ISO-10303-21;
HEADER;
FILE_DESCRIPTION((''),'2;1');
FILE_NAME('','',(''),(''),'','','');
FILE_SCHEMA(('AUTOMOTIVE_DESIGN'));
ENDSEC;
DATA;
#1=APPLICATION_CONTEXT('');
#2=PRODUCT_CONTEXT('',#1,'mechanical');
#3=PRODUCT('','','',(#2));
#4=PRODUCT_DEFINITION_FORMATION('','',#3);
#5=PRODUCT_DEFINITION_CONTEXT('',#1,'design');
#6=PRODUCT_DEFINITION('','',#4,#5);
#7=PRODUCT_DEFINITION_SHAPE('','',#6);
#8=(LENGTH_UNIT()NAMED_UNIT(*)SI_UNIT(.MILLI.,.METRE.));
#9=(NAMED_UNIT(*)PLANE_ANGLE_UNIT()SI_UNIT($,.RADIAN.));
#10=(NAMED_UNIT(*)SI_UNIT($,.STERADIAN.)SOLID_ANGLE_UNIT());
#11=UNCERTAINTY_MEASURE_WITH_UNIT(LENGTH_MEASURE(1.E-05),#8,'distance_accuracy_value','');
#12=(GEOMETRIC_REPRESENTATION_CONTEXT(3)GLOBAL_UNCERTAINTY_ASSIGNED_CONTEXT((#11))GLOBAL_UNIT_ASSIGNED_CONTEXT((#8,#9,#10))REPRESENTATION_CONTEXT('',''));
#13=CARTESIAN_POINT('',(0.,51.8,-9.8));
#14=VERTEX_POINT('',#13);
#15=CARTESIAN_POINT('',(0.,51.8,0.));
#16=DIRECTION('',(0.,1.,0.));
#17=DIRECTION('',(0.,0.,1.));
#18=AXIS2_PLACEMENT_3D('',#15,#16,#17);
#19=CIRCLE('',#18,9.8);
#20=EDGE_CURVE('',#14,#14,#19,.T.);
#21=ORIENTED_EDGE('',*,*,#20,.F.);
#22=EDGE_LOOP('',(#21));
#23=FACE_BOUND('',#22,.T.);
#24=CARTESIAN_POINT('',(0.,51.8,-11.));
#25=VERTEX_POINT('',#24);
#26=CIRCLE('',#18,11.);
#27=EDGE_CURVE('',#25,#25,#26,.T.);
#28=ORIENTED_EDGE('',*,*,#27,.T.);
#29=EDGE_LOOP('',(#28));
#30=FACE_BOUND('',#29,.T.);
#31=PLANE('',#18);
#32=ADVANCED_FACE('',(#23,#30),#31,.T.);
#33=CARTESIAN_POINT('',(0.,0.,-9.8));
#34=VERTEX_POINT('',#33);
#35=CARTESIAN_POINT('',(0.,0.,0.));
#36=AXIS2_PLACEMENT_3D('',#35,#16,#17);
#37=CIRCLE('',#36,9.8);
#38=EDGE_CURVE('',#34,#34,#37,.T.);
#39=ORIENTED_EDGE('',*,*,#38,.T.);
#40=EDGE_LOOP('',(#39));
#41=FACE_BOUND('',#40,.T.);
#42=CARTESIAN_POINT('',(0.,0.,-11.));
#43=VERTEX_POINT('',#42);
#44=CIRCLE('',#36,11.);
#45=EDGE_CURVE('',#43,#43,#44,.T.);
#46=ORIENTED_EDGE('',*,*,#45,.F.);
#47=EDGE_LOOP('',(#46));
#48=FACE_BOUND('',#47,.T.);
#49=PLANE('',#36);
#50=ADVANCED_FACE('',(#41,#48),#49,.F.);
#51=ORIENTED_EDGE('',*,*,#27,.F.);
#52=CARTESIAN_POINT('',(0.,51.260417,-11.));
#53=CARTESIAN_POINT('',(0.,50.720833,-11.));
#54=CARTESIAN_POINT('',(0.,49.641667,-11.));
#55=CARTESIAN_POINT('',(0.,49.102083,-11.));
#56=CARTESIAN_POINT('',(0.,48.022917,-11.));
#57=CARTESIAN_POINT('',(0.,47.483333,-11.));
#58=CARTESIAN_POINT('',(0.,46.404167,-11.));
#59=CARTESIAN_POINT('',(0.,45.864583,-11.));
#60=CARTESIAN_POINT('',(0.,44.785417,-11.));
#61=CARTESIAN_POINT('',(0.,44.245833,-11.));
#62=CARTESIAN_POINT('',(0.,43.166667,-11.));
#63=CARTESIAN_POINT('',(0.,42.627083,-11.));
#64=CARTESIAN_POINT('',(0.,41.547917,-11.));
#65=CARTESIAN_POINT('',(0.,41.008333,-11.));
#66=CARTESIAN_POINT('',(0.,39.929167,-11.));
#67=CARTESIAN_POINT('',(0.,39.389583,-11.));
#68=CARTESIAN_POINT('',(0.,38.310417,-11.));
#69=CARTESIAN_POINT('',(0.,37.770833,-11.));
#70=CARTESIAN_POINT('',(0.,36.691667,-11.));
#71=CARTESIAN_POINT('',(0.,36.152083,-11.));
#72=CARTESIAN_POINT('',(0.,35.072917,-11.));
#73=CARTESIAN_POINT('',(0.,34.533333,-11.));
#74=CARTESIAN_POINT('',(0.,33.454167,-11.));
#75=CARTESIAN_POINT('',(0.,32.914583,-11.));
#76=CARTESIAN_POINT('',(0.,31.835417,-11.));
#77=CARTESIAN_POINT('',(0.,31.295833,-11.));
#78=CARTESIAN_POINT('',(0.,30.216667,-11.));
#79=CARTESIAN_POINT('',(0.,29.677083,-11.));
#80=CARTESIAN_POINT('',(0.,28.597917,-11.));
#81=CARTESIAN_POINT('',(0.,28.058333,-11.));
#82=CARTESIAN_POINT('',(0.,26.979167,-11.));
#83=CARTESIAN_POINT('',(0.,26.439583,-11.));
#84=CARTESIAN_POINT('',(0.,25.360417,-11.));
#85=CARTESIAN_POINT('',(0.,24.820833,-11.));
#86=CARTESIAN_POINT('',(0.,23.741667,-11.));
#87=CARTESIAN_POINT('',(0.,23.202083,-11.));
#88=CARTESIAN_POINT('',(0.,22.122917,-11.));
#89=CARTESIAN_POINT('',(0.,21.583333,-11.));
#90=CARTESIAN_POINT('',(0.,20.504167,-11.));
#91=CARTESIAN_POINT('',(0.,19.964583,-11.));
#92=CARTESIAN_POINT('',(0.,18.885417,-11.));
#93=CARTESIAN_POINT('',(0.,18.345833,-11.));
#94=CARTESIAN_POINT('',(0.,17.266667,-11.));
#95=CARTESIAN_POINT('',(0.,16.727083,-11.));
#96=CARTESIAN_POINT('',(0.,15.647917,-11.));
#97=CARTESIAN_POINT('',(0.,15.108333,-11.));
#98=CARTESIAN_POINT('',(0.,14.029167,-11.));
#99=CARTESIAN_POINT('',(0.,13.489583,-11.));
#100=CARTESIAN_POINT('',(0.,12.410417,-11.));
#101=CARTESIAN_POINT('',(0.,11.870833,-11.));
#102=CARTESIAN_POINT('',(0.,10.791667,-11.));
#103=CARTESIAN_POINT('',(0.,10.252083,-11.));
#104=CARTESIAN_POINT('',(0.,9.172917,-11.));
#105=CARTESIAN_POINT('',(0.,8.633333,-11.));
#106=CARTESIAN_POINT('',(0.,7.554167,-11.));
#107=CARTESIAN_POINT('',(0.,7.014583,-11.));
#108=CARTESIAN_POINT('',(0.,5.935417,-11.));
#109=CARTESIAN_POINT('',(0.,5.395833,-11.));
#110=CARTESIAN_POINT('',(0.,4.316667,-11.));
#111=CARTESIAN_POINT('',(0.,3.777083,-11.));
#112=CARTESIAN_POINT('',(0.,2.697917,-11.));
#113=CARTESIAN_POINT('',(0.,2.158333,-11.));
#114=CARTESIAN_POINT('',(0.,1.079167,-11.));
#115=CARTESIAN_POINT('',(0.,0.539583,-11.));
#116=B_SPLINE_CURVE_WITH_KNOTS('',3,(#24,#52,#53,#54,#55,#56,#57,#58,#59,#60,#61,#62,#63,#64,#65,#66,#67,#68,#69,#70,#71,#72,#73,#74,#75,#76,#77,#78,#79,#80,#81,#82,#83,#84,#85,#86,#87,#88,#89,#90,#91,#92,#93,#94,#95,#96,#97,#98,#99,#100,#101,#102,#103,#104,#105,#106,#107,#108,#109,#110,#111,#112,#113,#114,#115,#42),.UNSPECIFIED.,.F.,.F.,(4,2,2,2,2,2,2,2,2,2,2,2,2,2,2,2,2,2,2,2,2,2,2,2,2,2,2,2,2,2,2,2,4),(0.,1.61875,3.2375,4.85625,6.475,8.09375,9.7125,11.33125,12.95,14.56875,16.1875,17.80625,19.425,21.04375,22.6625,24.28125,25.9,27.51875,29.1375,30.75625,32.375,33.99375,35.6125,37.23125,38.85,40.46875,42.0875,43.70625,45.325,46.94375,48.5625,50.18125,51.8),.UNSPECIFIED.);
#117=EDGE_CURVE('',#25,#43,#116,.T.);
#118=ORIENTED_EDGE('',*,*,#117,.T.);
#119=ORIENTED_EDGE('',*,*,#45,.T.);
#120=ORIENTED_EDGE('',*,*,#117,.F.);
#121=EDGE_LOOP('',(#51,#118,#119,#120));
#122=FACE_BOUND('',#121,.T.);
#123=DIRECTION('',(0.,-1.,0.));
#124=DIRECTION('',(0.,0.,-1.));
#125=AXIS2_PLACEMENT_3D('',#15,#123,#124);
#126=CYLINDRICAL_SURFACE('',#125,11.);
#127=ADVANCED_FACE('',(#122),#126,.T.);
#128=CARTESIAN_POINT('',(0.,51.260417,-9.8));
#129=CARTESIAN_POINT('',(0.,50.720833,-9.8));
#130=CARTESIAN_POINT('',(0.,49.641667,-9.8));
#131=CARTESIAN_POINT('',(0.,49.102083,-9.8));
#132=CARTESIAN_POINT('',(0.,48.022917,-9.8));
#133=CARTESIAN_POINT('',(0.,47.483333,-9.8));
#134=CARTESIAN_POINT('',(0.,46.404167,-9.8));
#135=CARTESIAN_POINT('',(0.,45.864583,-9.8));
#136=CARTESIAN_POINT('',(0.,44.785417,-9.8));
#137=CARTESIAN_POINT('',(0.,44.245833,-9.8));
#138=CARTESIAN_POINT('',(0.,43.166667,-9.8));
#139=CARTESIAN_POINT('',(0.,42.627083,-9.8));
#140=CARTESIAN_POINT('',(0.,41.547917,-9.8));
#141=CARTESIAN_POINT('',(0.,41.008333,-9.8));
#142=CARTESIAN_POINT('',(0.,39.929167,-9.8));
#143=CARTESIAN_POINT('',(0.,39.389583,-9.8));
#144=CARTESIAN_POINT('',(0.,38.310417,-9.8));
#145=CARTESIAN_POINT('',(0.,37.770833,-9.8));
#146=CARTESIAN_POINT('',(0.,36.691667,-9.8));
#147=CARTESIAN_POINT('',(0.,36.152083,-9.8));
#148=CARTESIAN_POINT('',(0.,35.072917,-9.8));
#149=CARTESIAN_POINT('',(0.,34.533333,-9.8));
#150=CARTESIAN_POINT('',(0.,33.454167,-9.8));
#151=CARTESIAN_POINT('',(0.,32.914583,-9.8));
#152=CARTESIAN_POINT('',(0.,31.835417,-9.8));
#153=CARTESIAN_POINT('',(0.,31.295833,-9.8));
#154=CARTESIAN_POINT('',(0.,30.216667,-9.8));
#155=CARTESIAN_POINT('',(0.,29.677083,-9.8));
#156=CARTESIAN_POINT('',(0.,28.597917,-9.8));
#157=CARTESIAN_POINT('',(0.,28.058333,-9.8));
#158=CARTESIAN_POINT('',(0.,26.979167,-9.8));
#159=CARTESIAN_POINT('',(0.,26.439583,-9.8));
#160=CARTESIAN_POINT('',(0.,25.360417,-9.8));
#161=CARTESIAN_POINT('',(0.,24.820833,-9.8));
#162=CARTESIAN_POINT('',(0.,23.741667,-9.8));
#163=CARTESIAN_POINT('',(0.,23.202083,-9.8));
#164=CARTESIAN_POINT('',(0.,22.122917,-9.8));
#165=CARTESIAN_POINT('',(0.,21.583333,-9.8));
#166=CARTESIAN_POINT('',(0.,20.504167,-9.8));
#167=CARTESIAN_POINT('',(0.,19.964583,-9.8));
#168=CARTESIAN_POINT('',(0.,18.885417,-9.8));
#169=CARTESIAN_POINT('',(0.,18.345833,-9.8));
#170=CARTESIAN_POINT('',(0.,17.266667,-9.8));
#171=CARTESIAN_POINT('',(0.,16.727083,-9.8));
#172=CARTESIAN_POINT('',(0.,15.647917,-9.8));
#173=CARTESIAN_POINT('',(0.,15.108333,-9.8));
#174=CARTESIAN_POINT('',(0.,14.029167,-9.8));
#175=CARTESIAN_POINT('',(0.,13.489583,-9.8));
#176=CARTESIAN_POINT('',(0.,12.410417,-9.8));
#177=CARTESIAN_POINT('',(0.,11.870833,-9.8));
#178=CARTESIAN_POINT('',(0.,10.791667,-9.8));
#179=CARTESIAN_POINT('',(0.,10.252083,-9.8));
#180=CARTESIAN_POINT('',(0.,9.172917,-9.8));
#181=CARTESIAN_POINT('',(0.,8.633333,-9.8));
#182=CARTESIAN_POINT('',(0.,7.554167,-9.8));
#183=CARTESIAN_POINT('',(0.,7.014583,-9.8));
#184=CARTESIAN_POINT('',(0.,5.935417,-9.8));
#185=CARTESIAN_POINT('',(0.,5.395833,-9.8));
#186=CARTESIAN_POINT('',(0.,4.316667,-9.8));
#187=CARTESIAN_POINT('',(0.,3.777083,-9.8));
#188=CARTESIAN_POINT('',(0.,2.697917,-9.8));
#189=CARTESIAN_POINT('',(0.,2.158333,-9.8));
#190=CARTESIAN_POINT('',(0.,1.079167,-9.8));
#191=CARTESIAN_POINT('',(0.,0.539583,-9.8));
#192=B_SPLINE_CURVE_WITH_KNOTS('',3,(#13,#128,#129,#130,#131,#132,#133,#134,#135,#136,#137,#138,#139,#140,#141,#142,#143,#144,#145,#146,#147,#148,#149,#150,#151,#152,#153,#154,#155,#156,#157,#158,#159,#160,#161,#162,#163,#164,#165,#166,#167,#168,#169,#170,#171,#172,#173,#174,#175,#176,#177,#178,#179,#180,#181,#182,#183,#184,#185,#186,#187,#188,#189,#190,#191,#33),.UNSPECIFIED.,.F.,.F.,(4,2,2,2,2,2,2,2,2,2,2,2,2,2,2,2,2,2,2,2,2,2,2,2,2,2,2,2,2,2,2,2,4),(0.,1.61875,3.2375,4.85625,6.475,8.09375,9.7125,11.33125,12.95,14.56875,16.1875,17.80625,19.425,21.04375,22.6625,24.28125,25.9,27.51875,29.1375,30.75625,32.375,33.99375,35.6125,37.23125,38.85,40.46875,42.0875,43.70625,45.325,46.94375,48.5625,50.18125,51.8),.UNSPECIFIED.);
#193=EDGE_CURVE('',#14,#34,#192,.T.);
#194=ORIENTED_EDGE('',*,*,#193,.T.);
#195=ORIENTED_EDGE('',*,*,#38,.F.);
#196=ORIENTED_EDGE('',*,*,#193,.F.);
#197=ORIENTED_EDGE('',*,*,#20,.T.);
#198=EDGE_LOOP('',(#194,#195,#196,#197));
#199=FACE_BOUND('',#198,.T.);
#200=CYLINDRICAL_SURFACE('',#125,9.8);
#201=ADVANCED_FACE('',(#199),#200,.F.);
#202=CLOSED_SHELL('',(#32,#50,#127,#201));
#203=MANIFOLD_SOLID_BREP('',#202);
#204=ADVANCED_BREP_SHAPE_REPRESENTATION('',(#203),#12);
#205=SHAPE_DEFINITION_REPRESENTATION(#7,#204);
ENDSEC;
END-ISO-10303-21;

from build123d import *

# Parameters (mm, degrees)
SKETCH1_R           = 11
SKETCH1_R_2         = 9.8
BOSS_EXTRUDE1_DEPTH = 51.8


with BuildPart() as part:
    # Sketch1 → Boss-Extrude1 (new body)
    with BuildSketch(Plane(origin=(0, 0, 0), x_dir=(1, 0, 0), z_dir=(0, 1, 0))):
        with Locations(Location((0, 0, 0), (0, 0, 90))):
            Circle(SKETCH1_R)
        with Locations(Location((0, 0, 0), (0, 0, 90))):
            Circle(SKETCH1_R_2, mode=Mode.SUBTRACT)
    extrude(amount=BOSS_EXTRUDE1_DEPTH)


solid = part.part
